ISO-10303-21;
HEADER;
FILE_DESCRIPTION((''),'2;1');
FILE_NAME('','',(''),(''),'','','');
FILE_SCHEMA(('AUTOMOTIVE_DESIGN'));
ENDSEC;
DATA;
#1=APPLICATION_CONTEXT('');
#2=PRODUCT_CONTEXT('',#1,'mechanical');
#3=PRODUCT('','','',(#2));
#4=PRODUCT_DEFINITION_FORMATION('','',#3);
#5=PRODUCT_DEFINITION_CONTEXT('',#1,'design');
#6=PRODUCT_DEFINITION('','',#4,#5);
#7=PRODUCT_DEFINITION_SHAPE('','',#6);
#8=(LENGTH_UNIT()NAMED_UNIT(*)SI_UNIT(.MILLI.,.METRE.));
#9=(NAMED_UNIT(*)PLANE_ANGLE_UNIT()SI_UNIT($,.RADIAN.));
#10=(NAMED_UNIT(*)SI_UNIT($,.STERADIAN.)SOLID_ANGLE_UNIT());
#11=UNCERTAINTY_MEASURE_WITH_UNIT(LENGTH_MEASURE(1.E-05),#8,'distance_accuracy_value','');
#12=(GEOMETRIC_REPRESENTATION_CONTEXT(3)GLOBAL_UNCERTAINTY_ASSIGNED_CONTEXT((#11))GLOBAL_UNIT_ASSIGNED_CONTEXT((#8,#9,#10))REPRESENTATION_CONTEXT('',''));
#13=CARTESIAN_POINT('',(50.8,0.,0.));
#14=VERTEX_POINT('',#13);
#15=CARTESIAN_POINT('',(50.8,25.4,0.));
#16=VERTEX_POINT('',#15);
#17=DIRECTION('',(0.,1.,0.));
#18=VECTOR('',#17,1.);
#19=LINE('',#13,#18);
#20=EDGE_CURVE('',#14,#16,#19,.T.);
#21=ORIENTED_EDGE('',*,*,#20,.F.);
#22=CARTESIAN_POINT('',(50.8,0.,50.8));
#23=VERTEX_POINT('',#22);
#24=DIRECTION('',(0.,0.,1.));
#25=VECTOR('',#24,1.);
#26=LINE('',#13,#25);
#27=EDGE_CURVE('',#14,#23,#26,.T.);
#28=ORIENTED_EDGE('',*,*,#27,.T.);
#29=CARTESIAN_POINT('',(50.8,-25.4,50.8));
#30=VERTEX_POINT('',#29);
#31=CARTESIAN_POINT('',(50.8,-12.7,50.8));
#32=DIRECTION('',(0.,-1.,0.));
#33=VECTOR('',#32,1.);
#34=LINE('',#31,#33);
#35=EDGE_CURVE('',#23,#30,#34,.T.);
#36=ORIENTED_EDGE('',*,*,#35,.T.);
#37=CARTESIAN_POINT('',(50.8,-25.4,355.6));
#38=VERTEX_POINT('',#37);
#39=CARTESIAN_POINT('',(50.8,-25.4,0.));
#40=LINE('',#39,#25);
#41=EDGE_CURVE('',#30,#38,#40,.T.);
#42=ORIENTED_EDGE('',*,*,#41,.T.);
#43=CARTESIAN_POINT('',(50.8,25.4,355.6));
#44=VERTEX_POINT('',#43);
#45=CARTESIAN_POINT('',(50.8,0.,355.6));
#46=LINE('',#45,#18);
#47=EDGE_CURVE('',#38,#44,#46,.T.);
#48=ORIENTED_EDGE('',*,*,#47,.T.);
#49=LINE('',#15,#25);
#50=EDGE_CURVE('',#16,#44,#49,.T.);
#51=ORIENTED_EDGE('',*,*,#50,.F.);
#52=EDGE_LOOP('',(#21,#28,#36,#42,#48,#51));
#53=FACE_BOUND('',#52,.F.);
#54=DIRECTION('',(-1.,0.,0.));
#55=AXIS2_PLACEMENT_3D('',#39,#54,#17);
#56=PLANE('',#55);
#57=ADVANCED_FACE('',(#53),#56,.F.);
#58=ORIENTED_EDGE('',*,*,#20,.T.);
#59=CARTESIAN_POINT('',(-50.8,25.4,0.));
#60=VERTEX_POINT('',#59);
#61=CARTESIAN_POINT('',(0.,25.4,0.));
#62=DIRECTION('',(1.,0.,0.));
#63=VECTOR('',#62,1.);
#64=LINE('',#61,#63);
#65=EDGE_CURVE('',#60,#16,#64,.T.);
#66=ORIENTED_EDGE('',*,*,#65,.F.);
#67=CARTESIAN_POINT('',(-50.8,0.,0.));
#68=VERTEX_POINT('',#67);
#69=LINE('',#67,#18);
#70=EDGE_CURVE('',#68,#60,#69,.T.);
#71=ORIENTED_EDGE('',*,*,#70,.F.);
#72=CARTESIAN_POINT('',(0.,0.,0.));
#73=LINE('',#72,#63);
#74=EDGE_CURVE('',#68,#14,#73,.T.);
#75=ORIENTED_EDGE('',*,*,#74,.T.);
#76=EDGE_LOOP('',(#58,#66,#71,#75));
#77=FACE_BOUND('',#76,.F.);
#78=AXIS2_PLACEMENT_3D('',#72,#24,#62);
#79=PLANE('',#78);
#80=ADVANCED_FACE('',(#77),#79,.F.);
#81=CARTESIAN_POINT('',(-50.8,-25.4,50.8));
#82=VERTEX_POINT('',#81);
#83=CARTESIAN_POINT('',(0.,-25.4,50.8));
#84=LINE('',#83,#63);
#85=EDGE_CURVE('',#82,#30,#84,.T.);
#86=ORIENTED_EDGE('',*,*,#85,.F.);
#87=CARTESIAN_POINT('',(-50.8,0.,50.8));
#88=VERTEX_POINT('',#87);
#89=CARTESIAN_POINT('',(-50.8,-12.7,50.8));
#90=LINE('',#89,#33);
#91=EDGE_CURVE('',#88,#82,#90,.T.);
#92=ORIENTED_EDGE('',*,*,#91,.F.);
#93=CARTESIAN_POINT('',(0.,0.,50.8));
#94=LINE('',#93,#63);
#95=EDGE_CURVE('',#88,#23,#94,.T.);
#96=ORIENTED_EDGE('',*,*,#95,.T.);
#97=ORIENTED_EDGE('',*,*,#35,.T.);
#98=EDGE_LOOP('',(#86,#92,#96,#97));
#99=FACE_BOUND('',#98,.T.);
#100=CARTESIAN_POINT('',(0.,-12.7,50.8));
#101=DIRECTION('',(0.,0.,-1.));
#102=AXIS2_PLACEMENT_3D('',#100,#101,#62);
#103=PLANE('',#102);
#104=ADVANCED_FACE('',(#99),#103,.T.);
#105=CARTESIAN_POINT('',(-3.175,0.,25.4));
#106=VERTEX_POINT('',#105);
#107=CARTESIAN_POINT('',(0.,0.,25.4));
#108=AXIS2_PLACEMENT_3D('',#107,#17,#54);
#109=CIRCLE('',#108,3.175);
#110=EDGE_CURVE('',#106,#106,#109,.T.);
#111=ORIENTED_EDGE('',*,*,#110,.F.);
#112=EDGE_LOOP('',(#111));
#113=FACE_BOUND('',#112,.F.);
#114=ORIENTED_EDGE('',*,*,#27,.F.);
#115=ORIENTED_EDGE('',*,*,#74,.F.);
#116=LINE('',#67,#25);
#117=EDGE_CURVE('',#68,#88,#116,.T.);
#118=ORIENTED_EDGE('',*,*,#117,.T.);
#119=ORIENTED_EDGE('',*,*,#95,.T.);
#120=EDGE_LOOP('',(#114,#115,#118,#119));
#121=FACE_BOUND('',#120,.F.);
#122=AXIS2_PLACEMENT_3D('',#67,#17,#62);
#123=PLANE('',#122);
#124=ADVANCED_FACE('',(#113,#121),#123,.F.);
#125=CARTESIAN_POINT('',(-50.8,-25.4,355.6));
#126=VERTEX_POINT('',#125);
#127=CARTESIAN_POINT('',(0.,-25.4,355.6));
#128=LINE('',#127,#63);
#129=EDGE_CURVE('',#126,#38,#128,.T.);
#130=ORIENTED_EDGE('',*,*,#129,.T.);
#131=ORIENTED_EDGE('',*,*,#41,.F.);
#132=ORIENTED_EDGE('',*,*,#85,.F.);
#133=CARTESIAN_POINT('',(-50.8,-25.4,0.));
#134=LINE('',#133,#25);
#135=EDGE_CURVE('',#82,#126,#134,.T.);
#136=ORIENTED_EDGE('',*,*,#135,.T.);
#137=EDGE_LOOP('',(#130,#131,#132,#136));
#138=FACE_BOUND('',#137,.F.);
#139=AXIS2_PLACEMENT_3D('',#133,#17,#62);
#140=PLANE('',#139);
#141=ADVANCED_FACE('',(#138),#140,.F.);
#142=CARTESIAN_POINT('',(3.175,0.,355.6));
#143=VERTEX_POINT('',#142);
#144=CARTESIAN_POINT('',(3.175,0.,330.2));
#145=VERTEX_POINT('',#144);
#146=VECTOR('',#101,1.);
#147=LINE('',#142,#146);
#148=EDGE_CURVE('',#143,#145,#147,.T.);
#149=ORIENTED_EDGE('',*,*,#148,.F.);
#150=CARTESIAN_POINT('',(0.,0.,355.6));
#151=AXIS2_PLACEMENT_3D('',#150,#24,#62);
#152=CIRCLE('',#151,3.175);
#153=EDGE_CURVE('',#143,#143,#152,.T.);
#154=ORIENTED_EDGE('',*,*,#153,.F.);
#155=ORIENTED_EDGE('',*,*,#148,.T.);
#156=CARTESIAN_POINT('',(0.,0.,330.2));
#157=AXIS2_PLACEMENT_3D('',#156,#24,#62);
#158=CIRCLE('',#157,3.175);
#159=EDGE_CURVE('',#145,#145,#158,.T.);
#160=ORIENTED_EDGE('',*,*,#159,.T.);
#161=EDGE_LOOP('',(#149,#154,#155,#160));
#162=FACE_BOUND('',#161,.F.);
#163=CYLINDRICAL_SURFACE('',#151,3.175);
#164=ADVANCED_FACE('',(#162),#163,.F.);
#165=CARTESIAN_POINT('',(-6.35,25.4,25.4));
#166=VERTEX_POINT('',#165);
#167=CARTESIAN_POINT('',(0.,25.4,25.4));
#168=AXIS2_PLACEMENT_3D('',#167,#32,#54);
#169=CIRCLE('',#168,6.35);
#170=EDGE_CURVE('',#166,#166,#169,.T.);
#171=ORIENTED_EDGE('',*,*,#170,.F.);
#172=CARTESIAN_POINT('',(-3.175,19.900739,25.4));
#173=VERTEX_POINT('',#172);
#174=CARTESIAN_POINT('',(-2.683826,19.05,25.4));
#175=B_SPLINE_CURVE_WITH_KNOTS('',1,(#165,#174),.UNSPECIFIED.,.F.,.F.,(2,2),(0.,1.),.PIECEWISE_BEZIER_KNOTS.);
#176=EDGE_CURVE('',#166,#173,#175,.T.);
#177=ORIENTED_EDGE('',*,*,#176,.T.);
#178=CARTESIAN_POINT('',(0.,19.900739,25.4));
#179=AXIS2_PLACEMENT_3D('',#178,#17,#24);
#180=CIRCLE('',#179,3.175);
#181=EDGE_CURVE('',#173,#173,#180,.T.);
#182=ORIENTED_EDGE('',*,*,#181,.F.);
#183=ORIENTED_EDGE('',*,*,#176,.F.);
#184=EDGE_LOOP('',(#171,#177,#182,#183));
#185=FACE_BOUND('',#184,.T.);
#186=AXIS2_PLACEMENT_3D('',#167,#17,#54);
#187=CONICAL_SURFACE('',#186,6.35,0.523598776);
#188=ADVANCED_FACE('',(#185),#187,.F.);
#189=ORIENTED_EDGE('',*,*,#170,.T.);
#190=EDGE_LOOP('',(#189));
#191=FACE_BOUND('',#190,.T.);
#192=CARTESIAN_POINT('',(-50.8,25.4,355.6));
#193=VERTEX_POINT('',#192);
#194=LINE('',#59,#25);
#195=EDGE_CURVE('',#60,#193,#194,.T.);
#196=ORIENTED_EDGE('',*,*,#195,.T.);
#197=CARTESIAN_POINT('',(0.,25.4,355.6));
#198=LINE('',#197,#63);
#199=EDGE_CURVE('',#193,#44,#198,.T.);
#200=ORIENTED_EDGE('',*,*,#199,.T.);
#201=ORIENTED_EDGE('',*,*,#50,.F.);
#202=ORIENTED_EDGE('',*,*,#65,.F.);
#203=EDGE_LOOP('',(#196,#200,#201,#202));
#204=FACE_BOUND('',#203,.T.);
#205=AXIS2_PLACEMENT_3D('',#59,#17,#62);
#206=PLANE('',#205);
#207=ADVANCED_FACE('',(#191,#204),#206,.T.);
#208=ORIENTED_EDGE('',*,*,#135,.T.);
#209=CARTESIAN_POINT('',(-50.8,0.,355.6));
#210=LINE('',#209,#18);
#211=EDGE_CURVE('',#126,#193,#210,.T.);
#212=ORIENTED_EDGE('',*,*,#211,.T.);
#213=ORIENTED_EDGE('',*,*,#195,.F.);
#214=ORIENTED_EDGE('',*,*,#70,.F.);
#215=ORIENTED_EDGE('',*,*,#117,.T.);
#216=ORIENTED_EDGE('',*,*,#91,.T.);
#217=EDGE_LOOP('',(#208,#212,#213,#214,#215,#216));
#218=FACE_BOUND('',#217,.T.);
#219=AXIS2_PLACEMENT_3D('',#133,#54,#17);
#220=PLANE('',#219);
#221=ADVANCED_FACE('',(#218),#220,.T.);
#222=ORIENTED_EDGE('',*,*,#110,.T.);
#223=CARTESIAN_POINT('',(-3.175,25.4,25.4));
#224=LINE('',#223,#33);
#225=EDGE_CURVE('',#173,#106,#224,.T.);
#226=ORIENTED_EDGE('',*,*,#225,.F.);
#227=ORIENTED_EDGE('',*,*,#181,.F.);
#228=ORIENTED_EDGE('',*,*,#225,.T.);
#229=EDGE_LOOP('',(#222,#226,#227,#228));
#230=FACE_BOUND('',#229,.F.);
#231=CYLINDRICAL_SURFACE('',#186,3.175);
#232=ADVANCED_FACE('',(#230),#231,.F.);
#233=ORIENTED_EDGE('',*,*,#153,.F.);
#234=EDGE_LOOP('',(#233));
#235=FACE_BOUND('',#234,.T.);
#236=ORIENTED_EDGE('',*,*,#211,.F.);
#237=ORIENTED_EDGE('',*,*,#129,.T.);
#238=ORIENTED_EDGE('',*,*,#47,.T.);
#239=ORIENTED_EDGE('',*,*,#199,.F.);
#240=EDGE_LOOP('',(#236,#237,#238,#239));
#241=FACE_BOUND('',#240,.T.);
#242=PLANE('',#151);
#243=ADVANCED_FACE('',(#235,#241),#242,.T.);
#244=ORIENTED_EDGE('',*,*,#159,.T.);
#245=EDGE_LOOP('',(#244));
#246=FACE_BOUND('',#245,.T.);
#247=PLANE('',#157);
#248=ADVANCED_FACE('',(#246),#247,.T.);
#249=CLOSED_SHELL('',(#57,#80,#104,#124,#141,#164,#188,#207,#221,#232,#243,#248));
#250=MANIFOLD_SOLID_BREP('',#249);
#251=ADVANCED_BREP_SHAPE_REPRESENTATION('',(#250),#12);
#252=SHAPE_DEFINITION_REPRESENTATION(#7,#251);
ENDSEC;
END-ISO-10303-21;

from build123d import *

# Parameters (mm, degrees)
F0_W     = 101.6
F0_H     = 50.8
F1_DEPTH = 355.6
F2_W     = 101.6
F2_H     = 25.4
F3_DEPTH = 50.8
F4_R     = 3.175
F5_DEPTH = 50.801
F6_R     = 3.175
F7_DEPTH = 25.4
F8_R     = 6.35
F9_DEPTH = 6.35
F9_TAPER = 30


with BuildPart() as f1:
    # F0 (on Top) → F1 (new body)
    with BuildSketch(Plane.XY):
        Rectangle(F0_W, F0_H)
    extrude(amount=F1_DEPTH)

    # F2 (on face) → F3 (cut)
    with BuildSketch(Plane(origin=(0, 0, 0), x_dir=(1, 0, 0), z_dir=(0, 0, -1))):
        with Locations((0, 12.7)):
            Rectangle(F2_W, F2_H)
    extrude(amount=-F3_DEPTH, mode=Mode.SUBTRACT)

    # F4 (on face) → F5 (cut, through all)
    with BuildSketch(Plane(origin=(0, 25.4, 0), x_dir=(-1, 0, 0), z_dir=(0, 1, 0))):
        with Locations((0, 25.4)):
            Circle(F4_R)
    extrude(amount=-F5_DEPTH, mode=Mode.SUBTRACT)

    # F6 (on face) → F7 (cut)
    with BuildSketch(Plane.XY.offset(355.6)):
        Circle(F6_R)
    extrude(amount=-F7_DEPTH, mode=Mode.SUBTRACT)

    # F8 (on face) → F9 (cut)
    with BuildSketch(Plane(origin=(0, 25.4, 0), x_dir=(-1, 0, 0), z_dir=(0, 1, 0))):
        with Locations((0, 25.4)):
            Circle(F8_R)
    extrude(amount=-F9_DEPTH, taper=F9_TAPER, mode=Mode.SUBTRACT)


solid = f1.part
